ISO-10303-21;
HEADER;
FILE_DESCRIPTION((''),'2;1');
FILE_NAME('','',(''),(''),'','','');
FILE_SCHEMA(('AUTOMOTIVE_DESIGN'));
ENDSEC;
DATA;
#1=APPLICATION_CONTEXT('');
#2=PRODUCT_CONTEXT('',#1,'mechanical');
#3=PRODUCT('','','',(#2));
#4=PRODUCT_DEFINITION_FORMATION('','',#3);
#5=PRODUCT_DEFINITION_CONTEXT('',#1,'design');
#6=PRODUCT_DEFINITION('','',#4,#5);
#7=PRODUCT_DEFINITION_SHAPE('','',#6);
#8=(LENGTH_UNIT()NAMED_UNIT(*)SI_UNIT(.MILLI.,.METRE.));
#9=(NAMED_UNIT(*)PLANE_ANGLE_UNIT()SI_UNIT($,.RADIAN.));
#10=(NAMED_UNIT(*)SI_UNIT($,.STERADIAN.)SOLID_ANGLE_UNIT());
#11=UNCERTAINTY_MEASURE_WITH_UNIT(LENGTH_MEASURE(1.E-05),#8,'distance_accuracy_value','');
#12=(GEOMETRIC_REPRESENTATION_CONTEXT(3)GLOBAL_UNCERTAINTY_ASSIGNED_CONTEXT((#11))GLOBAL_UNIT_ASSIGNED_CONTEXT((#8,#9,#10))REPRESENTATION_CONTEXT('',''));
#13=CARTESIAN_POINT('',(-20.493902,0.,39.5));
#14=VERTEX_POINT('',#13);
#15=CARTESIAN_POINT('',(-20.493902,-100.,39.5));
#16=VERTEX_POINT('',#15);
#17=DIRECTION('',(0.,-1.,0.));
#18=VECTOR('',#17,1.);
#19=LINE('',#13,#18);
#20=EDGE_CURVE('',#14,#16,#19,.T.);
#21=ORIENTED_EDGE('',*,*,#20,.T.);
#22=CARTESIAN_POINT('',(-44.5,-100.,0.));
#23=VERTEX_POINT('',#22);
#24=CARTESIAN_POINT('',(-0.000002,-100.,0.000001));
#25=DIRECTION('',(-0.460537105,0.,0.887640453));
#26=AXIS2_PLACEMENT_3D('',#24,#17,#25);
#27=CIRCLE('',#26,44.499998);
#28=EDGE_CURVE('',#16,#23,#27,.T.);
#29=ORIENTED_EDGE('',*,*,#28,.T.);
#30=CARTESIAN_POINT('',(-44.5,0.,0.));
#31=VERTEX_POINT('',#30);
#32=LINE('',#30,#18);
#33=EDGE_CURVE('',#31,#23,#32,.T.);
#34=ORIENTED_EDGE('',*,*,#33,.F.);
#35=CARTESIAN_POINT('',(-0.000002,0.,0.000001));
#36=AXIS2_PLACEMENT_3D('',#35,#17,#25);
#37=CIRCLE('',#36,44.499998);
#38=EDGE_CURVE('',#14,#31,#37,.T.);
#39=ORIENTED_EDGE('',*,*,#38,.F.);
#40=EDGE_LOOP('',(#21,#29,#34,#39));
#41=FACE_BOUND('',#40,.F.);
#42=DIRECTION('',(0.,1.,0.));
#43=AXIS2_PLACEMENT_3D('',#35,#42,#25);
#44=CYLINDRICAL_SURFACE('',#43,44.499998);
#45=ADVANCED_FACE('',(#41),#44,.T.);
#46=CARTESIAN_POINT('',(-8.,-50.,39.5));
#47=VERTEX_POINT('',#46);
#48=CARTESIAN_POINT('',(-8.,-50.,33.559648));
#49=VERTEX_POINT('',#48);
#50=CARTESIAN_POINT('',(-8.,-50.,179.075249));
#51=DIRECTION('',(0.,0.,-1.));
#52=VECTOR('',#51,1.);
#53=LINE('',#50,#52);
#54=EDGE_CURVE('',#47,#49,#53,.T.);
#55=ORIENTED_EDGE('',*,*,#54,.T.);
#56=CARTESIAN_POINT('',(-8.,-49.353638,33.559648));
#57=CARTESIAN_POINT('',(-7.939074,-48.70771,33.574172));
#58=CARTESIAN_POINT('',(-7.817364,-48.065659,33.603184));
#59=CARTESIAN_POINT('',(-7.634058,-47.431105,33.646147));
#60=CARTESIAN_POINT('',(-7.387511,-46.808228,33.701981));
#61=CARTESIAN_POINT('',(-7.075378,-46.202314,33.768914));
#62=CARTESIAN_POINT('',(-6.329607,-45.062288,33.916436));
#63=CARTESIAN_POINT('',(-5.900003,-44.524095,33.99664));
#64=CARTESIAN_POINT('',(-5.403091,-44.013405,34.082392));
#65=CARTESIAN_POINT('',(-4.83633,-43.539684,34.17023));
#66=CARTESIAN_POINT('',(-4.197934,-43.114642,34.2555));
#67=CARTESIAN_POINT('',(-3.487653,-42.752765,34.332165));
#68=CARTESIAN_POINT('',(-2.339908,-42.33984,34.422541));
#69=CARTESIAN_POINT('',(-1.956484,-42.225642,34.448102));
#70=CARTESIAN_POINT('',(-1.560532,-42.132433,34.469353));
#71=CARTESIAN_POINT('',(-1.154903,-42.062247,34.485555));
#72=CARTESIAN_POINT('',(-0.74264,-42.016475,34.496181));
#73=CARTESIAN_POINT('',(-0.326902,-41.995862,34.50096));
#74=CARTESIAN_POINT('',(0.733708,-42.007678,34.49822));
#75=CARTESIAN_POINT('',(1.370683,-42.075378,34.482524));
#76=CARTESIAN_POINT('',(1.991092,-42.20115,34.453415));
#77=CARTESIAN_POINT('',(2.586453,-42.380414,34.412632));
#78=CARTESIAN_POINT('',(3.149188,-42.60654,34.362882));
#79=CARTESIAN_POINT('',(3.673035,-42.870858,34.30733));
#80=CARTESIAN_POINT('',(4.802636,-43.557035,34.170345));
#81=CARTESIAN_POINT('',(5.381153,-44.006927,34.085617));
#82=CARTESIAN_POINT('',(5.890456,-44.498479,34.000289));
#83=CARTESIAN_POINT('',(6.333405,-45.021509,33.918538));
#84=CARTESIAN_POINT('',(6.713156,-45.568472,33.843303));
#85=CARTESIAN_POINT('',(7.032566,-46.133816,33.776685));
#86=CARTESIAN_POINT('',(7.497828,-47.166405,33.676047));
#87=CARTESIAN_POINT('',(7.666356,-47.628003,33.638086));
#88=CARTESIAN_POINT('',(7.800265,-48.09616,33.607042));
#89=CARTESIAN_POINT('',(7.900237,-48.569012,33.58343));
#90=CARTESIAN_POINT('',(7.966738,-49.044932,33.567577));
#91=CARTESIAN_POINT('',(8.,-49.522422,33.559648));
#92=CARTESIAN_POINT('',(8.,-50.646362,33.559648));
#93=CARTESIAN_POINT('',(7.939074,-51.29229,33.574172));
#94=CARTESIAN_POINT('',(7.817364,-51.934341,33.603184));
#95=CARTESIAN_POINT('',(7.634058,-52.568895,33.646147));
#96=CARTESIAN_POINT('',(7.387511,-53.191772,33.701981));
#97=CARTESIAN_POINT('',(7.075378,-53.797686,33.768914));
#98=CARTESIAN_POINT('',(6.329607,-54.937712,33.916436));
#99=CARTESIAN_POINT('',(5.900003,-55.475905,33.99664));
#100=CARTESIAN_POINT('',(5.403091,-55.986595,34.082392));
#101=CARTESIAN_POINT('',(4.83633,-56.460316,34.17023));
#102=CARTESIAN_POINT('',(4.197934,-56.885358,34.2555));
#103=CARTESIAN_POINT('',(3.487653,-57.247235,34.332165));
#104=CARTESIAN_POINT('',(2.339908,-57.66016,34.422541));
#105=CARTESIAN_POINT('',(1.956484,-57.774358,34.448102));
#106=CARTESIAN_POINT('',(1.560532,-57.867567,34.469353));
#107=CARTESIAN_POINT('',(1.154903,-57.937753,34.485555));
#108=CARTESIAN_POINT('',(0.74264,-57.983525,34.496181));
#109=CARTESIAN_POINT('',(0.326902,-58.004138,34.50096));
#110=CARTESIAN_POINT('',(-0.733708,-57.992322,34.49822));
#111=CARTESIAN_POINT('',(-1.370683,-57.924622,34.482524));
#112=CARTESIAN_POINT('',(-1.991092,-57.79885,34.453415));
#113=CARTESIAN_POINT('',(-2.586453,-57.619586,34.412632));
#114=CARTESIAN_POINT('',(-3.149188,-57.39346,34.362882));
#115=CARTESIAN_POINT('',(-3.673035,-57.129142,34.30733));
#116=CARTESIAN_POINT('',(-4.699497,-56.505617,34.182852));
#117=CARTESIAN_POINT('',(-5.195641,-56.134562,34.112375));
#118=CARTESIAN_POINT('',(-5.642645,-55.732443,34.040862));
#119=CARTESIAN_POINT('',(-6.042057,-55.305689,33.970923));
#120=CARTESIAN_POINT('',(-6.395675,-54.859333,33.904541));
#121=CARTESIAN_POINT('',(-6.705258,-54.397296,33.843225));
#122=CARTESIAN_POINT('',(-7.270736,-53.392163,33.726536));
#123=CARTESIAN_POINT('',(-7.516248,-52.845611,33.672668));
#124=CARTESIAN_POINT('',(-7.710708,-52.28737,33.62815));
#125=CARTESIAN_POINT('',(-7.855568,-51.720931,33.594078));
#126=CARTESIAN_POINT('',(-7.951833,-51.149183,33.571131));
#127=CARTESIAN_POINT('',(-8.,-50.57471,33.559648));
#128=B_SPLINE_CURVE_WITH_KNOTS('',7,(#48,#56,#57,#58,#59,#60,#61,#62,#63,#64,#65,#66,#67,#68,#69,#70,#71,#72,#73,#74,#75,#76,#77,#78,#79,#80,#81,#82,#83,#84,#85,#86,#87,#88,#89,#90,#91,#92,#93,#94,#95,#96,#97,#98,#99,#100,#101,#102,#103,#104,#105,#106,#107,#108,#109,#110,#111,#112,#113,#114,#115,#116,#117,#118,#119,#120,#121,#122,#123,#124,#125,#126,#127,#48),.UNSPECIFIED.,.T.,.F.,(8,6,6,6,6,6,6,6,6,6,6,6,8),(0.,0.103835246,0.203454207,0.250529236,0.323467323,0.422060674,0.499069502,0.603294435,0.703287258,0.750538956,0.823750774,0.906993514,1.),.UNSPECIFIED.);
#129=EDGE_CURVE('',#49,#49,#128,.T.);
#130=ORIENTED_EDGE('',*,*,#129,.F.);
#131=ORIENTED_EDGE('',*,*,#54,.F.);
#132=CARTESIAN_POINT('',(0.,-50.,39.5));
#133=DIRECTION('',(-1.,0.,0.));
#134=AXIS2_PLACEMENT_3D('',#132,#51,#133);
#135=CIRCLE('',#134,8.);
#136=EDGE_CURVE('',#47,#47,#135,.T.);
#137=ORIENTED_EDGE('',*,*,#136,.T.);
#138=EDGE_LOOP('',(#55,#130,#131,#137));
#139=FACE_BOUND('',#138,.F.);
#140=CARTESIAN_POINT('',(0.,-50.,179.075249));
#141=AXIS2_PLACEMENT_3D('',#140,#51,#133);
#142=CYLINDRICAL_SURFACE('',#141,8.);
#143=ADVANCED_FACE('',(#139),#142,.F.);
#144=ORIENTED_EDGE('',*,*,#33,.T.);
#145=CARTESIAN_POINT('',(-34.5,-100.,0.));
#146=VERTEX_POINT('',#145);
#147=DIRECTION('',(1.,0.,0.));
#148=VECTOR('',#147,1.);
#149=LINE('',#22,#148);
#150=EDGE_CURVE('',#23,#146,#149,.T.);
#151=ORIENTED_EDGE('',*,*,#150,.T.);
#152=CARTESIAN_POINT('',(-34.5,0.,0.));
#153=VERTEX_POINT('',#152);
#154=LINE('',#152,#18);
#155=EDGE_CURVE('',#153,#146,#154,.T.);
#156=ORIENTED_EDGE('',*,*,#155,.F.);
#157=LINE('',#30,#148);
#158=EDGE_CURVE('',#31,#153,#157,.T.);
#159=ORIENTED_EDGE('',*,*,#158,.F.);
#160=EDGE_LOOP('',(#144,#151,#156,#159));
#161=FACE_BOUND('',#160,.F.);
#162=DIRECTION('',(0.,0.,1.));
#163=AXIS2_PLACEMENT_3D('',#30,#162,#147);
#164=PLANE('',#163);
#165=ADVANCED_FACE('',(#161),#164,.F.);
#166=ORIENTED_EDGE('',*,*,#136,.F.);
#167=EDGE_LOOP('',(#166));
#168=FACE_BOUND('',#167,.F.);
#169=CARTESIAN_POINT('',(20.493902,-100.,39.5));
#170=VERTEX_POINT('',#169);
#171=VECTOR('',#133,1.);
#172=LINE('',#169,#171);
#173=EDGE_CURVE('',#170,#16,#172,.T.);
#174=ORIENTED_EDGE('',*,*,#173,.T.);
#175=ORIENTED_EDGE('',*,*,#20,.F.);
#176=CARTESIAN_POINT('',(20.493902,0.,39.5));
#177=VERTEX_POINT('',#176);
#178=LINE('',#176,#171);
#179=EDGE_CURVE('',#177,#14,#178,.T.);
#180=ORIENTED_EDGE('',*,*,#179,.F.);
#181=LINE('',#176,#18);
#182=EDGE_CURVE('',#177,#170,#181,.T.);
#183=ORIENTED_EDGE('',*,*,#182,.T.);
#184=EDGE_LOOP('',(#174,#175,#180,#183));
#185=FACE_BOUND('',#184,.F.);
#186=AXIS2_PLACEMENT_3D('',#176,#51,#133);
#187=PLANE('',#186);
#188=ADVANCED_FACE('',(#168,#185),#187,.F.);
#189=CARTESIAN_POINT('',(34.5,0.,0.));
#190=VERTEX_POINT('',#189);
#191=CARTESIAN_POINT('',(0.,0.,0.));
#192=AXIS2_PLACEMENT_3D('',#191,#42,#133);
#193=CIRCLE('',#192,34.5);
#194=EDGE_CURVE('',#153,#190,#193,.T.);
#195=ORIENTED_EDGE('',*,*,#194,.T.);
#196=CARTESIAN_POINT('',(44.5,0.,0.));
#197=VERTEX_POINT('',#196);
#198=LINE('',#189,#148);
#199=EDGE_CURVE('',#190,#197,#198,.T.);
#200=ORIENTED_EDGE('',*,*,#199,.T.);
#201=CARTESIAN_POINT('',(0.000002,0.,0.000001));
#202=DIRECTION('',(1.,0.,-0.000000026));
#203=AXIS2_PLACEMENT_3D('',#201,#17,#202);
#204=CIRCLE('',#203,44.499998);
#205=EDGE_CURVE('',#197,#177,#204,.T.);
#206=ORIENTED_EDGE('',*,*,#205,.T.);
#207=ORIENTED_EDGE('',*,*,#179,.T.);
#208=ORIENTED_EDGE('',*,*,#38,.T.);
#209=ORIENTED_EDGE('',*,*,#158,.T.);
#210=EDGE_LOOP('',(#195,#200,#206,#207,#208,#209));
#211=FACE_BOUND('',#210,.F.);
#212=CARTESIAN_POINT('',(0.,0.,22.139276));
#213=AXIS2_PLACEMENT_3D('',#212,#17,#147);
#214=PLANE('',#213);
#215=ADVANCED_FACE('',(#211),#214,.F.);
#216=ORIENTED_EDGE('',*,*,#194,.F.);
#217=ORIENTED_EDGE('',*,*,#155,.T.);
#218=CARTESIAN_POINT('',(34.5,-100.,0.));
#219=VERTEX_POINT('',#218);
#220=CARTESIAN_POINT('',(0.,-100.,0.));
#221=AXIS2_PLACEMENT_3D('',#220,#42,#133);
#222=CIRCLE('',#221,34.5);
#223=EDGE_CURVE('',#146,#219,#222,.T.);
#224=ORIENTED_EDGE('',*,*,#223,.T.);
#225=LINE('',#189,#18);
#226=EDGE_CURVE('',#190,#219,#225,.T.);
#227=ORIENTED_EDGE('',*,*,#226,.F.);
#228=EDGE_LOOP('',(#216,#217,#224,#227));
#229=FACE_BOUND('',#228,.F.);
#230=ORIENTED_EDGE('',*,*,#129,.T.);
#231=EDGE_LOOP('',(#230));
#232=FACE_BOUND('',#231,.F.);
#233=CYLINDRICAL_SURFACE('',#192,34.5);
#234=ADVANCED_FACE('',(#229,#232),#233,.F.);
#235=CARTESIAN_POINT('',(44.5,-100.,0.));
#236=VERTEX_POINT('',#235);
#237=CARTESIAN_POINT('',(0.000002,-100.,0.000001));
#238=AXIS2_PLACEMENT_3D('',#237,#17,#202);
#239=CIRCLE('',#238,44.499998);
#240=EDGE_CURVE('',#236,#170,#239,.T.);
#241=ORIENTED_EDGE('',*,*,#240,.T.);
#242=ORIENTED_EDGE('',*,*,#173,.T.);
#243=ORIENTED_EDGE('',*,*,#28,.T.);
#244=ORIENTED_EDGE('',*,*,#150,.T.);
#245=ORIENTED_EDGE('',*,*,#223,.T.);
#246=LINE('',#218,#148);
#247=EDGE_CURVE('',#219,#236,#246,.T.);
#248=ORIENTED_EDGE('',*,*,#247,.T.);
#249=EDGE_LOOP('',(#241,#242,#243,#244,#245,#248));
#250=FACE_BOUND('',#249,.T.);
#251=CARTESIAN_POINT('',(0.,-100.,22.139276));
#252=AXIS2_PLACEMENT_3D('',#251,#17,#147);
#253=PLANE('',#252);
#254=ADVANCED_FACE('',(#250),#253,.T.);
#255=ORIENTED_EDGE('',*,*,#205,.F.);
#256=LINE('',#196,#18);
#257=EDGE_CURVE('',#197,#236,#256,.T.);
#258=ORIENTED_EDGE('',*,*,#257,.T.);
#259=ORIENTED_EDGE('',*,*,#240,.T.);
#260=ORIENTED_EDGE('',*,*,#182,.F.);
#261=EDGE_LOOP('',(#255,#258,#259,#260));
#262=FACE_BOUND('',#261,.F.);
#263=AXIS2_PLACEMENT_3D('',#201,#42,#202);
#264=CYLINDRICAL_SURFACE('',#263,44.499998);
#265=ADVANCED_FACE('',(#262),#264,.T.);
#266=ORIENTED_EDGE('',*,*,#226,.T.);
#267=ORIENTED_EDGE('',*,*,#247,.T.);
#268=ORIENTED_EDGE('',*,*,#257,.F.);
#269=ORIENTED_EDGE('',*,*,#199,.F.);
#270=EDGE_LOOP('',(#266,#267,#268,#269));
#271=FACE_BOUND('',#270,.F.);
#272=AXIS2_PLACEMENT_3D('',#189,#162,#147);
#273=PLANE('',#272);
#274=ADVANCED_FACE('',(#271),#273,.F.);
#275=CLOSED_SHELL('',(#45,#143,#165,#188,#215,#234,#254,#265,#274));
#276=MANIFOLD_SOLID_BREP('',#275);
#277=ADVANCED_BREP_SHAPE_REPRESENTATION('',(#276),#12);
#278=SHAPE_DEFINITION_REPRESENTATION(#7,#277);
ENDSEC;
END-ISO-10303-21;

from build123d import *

# Parameters (mm, degrees)
F1_DEPTH = 100
F3_D     = 16


with BuildPart() as f1:
    # F0 (on Front) → F1 (new body)
    with BuildSketch(Plane.XZ):
        with BuildLine():
            Line((34.5, 0), (44.5, 0))
            ThreePointArc((44.5, 0), (38.02781, 23.111376), (20.493902, 39.5))
            Line((20.493902, 39.5), (-20.493902, 39.5))
            ThreePointArc((-20.493902, 39.5), (-38.02781, 23.111376), (-44.5, 0))
            Line((-44.5, 0), (-34.5, 0))
            ThreePointArc((-34.5, 0), (0, 34.5), (34.5, 0))
        make_face()
    extrude(amount=F1_DEPTH)

    # F3 (through all)
    with Locations(Plane.XY.offset(39.5)):
        with Locations((0, -50)):
            Hole(F3_D / 2)


solid = f1.part
